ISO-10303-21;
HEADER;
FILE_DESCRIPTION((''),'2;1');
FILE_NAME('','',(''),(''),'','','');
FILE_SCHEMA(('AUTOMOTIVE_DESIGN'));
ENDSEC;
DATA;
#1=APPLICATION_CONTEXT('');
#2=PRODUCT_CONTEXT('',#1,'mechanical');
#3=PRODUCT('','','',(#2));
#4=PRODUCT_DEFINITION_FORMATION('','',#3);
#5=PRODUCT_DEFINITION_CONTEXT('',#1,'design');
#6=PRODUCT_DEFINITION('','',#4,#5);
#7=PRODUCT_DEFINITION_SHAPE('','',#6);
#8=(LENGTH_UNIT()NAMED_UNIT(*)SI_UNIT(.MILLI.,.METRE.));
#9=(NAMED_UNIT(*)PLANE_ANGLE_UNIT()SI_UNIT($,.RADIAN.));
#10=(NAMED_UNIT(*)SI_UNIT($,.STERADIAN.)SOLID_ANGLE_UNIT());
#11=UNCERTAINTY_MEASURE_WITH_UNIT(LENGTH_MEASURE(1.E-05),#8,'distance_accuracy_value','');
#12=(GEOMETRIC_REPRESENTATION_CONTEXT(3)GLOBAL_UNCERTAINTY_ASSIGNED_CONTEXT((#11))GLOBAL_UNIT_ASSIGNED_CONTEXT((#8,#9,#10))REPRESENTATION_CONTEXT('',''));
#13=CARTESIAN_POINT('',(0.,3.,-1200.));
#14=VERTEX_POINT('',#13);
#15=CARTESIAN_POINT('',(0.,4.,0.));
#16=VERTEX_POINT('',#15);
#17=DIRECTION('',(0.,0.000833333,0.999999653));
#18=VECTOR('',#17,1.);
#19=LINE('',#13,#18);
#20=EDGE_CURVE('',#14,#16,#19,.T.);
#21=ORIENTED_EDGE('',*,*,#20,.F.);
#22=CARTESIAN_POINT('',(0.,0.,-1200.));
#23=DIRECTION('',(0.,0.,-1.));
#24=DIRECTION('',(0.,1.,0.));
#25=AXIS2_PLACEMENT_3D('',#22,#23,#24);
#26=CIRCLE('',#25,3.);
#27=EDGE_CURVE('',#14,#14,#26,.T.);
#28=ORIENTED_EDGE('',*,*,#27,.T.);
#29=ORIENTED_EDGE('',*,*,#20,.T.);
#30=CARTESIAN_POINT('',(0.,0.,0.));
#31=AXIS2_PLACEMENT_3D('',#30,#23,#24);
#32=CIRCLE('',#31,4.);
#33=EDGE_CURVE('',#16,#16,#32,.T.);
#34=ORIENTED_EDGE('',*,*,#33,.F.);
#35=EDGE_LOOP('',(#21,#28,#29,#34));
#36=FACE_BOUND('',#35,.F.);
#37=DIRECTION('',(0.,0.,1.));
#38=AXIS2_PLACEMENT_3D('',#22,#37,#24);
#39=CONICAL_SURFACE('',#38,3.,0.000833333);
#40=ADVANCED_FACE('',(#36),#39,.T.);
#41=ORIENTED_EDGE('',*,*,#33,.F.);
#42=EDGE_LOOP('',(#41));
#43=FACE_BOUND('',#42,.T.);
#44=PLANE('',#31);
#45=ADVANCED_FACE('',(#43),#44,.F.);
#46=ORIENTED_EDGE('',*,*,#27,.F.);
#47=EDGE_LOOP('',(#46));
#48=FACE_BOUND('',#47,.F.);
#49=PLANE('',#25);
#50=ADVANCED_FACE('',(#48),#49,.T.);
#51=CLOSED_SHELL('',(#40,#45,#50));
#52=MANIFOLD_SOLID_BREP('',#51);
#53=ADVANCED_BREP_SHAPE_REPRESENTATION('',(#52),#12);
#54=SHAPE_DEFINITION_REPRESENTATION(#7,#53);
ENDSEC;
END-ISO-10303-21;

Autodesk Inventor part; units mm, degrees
ref_plane "YZ Plane" through (0, 0, 0) normal (1, 0, 0) x (0, 1, 0)
ref_plane "XZ Plane" through (0, 0, 0) normal (0, 1, 0) x (-1, 0, 0)
ref_plane "XY Plane" through (0, 0, 0) normal (0, 0, 1) x (1, 0, 0)
sketch "Sketch6" plane through (0, 0, 0) normal (1, 0, 0) x (0, 1, 0)
  line L0 (0, 0) -> (4, 0)
  line L1 (0, 0) -> (4, 0) construction
  line L2 (0, 0) -> (0, -1200)
  line L3 (0, 0) -> (1200, 0) construction
  line L4 (0, -1200) -> (3, -1200)
  line L5 (3, -1200) -> (4, 0)
  dimension "d85" = 4
  dimension "d86" = 0
  dimension "d87" = 1200
  dimension "d88" = 90
  dimension "d89" = 3
  dimension "d90" = 90
revolve "Revolution1" add sketch "Sketch6" angle 360 about axis through (0, 0, 0) along (0, 0, -1)
properties part number "Rear Wing Spar (tapered solid)" material "CFRP"
